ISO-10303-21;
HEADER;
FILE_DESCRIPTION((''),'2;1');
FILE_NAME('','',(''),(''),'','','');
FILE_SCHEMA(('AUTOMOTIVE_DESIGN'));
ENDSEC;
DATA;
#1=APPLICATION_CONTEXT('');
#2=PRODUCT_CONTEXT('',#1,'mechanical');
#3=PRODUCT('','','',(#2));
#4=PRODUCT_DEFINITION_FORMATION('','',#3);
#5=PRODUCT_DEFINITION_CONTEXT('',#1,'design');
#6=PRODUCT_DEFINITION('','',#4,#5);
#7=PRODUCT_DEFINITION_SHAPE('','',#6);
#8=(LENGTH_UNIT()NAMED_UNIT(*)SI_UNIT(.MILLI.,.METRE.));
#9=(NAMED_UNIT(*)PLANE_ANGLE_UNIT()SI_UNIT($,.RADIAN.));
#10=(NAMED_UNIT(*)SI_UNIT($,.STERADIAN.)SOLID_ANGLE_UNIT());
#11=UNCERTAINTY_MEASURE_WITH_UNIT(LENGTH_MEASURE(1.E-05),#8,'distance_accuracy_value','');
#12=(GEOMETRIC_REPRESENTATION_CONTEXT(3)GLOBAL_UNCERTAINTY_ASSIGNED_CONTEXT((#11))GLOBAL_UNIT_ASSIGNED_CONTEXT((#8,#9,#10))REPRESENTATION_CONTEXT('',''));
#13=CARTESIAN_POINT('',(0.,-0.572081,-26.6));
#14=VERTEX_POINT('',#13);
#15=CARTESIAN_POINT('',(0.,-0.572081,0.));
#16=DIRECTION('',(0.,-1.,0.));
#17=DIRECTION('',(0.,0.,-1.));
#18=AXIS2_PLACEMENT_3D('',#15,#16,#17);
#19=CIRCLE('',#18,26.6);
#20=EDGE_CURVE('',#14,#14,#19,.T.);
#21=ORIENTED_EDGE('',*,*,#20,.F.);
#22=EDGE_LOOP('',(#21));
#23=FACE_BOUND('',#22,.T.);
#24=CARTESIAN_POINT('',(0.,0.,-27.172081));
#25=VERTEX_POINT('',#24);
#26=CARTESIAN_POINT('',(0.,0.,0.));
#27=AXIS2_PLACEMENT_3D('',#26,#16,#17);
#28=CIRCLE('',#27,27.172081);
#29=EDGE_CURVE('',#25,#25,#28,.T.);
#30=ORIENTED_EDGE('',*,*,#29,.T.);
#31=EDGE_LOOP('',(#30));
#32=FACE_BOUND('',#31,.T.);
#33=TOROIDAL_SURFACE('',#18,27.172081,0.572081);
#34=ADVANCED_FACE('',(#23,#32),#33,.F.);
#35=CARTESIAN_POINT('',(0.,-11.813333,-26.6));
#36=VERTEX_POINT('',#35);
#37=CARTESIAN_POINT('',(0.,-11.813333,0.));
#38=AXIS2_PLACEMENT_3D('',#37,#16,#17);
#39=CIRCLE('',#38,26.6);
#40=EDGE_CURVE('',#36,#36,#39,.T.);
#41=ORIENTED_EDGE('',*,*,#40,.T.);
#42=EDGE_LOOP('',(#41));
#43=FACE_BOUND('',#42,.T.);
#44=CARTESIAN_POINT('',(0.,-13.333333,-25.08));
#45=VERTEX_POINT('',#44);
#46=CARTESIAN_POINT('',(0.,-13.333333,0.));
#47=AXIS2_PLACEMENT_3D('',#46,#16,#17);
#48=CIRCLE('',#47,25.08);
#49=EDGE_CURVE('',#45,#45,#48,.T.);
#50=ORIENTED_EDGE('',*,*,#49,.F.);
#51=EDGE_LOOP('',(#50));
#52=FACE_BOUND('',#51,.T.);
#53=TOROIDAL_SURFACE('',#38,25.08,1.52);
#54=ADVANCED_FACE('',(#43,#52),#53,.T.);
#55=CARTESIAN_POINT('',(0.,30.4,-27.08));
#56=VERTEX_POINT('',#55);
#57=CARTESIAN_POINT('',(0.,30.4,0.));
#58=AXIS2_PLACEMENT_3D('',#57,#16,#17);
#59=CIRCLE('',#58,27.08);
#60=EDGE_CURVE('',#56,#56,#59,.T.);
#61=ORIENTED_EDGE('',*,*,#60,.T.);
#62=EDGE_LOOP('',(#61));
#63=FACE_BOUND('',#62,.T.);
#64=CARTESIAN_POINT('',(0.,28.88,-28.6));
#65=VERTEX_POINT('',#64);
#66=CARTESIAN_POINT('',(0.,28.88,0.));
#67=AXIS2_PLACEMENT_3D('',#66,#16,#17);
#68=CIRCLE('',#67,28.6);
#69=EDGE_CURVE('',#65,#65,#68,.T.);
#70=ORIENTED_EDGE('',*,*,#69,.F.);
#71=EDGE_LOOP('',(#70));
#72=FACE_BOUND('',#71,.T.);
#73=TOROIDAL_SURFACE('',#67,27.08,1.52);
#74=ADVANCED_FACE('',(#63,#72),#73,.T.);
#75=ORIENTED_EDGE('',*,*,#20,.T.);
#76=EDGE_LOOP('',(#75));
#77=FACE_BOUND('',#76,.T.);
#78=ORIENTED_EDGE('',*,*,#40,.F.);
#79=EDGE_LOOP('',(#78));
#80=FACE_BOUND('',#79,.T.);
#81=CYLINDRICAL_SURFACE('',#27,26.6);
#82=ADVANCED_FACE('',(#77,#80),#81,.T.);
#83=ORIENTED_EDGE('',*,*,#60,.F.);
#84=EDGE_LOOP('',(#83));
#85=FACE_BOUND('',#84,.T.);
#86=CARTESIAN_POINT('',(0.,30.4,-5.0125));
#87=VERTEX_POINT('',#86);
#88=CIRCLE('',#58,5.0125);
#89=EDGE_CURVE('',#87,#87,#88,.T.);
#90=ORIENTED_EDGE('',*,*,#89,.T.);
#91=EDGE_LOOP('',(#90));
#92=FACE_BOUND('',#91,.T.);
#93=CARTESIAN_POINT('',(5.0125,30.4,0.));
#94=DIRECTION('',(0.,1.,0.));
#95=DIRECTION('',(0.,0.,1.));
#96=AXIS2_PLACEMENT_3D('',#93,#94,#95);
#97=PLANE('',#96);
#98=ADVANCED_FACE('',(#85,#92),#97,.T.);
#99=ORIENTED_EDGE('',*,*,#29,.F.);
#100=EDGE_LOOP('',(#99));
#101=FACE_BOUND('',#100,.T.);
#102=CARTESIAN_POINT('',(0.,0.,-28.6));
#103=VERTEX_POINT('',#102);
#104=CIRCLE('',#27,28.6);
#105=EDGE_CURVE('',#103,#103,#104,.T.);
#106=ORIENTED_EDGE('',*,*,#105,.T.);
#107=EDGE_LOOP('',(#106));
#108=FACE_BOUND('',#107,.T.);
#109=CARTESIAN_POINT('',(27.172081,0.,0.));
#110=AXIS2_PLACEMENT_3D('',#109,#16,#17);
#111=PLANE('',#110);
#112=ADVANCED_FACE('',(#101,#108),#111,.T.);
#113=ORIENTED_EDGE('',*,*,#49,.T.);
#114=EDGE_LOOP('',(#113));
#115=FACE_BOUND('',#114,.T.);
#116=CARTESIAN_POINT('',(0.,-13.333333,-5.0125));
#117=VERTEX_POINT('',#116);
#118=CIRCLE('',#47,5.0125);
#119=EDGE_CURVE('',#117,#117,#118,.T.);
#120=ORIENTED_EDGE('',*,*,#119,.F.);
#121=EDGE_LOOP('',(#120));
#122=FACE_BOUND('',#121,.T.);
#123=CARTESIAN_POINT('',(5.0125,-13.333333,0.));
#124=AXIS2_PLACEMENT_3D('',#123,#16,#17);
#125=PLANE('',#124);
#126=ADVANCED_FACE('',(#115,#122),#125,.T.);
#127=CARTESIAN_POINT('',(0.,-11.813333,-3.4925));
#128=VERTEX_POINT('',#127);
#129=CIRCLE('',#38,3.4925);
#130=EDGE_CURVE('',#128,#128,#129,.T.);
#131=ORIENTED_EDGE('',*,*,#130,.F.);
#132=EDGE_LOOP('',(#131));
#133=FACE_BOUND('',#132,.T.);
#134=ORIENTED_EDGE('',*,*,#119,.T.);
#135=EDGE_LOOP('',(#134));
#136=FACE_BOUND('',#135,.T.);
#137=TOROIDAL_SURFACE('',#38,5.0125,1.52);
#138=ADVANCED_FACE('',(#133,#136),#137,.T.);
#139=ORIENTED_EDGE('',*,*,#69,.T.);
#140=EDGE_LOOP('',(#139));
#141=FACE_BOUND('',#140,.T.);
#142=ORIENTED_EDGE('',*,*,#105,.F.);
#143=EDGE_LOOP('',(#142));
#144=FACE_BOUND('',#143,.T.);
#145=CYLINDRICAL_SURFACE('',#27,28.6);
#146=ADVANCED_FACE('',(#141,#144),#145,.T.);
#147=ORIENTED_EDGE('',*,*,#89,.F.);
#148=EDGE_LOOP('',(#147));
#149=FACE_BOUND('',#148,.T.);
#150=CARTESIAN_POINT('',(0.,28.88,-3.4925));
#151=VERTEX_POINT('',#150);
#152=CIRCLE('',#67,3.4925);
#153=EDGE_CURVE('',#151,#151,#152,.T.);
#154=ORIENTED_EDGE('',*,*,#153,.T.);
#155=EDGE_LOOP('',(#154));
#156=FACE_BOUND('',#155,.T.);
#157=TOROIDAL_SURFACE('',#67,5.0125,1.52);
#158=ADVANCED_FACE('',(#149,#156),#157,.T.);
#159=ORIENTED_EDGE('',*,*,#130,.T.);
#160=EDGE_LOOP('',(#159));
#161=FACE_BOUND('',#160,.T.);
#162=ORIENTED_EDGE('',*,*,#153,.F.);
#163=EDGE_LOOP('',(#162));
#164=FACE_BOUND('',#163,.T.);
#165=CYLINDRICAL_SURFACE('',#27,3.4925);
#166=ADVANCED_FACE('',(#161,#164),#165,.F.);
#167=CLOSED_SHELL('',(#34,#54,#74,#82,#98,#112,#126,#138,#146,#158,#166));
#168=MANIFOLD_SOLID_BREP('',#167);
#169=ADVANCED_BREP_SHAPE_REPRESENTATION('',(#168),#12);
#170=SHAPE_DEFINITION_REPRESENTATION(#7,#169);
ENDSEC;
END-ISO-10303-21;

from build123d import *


with BuildPart() as part:
    # Sketch1 → Revolve1 (revolve)
    with BuildSketch(Plane.XY, mode=Mode.PRIVATE) as revolve1_sk:
        with BuildLine():
            Line((3.4925, -11.813333327), (3.4925, 28.88))
            ThreePointArc((3.4925, 28.88), (3.937697693, 29.954802307), (5.0125, 30.4))
            Line((5.0125, 30.4), (27.08, 30.4))
            ThreePointArc((27.08, 30.4), (28.154802307, 29.954802307), (28.6, 28.88))
            Line((28.6, 28.88), (28.6, 0))
            Line((28.6, 0), (27.172081158, 0))
            ThreePointArc((27.172081158, 0), (26.767558692, -0.167558692), (26.6, -0.572081158))
            Line((26.6, -0.572081158), (26.6, -11.813333327))
            ThreePointArc((26.6, -11.813333327), (26.154802307, -12.888135634), (25.08, -13.333333327))
            Line((25.08, -13.333333327), (5.0125, -13.333333327))
            ThreePointArc((5.0125, -13.333333327), (3.937697693, -12.888135634), (3.4925, -11.813333327))
        make_face()
    revolve(revolve1_sk.sketch.rotate(Axis((0, 0, 0), (0, 1, 0)), 90), axis=Axis((0, 0, 0), (0, 1, 0)))


solid = part.part
